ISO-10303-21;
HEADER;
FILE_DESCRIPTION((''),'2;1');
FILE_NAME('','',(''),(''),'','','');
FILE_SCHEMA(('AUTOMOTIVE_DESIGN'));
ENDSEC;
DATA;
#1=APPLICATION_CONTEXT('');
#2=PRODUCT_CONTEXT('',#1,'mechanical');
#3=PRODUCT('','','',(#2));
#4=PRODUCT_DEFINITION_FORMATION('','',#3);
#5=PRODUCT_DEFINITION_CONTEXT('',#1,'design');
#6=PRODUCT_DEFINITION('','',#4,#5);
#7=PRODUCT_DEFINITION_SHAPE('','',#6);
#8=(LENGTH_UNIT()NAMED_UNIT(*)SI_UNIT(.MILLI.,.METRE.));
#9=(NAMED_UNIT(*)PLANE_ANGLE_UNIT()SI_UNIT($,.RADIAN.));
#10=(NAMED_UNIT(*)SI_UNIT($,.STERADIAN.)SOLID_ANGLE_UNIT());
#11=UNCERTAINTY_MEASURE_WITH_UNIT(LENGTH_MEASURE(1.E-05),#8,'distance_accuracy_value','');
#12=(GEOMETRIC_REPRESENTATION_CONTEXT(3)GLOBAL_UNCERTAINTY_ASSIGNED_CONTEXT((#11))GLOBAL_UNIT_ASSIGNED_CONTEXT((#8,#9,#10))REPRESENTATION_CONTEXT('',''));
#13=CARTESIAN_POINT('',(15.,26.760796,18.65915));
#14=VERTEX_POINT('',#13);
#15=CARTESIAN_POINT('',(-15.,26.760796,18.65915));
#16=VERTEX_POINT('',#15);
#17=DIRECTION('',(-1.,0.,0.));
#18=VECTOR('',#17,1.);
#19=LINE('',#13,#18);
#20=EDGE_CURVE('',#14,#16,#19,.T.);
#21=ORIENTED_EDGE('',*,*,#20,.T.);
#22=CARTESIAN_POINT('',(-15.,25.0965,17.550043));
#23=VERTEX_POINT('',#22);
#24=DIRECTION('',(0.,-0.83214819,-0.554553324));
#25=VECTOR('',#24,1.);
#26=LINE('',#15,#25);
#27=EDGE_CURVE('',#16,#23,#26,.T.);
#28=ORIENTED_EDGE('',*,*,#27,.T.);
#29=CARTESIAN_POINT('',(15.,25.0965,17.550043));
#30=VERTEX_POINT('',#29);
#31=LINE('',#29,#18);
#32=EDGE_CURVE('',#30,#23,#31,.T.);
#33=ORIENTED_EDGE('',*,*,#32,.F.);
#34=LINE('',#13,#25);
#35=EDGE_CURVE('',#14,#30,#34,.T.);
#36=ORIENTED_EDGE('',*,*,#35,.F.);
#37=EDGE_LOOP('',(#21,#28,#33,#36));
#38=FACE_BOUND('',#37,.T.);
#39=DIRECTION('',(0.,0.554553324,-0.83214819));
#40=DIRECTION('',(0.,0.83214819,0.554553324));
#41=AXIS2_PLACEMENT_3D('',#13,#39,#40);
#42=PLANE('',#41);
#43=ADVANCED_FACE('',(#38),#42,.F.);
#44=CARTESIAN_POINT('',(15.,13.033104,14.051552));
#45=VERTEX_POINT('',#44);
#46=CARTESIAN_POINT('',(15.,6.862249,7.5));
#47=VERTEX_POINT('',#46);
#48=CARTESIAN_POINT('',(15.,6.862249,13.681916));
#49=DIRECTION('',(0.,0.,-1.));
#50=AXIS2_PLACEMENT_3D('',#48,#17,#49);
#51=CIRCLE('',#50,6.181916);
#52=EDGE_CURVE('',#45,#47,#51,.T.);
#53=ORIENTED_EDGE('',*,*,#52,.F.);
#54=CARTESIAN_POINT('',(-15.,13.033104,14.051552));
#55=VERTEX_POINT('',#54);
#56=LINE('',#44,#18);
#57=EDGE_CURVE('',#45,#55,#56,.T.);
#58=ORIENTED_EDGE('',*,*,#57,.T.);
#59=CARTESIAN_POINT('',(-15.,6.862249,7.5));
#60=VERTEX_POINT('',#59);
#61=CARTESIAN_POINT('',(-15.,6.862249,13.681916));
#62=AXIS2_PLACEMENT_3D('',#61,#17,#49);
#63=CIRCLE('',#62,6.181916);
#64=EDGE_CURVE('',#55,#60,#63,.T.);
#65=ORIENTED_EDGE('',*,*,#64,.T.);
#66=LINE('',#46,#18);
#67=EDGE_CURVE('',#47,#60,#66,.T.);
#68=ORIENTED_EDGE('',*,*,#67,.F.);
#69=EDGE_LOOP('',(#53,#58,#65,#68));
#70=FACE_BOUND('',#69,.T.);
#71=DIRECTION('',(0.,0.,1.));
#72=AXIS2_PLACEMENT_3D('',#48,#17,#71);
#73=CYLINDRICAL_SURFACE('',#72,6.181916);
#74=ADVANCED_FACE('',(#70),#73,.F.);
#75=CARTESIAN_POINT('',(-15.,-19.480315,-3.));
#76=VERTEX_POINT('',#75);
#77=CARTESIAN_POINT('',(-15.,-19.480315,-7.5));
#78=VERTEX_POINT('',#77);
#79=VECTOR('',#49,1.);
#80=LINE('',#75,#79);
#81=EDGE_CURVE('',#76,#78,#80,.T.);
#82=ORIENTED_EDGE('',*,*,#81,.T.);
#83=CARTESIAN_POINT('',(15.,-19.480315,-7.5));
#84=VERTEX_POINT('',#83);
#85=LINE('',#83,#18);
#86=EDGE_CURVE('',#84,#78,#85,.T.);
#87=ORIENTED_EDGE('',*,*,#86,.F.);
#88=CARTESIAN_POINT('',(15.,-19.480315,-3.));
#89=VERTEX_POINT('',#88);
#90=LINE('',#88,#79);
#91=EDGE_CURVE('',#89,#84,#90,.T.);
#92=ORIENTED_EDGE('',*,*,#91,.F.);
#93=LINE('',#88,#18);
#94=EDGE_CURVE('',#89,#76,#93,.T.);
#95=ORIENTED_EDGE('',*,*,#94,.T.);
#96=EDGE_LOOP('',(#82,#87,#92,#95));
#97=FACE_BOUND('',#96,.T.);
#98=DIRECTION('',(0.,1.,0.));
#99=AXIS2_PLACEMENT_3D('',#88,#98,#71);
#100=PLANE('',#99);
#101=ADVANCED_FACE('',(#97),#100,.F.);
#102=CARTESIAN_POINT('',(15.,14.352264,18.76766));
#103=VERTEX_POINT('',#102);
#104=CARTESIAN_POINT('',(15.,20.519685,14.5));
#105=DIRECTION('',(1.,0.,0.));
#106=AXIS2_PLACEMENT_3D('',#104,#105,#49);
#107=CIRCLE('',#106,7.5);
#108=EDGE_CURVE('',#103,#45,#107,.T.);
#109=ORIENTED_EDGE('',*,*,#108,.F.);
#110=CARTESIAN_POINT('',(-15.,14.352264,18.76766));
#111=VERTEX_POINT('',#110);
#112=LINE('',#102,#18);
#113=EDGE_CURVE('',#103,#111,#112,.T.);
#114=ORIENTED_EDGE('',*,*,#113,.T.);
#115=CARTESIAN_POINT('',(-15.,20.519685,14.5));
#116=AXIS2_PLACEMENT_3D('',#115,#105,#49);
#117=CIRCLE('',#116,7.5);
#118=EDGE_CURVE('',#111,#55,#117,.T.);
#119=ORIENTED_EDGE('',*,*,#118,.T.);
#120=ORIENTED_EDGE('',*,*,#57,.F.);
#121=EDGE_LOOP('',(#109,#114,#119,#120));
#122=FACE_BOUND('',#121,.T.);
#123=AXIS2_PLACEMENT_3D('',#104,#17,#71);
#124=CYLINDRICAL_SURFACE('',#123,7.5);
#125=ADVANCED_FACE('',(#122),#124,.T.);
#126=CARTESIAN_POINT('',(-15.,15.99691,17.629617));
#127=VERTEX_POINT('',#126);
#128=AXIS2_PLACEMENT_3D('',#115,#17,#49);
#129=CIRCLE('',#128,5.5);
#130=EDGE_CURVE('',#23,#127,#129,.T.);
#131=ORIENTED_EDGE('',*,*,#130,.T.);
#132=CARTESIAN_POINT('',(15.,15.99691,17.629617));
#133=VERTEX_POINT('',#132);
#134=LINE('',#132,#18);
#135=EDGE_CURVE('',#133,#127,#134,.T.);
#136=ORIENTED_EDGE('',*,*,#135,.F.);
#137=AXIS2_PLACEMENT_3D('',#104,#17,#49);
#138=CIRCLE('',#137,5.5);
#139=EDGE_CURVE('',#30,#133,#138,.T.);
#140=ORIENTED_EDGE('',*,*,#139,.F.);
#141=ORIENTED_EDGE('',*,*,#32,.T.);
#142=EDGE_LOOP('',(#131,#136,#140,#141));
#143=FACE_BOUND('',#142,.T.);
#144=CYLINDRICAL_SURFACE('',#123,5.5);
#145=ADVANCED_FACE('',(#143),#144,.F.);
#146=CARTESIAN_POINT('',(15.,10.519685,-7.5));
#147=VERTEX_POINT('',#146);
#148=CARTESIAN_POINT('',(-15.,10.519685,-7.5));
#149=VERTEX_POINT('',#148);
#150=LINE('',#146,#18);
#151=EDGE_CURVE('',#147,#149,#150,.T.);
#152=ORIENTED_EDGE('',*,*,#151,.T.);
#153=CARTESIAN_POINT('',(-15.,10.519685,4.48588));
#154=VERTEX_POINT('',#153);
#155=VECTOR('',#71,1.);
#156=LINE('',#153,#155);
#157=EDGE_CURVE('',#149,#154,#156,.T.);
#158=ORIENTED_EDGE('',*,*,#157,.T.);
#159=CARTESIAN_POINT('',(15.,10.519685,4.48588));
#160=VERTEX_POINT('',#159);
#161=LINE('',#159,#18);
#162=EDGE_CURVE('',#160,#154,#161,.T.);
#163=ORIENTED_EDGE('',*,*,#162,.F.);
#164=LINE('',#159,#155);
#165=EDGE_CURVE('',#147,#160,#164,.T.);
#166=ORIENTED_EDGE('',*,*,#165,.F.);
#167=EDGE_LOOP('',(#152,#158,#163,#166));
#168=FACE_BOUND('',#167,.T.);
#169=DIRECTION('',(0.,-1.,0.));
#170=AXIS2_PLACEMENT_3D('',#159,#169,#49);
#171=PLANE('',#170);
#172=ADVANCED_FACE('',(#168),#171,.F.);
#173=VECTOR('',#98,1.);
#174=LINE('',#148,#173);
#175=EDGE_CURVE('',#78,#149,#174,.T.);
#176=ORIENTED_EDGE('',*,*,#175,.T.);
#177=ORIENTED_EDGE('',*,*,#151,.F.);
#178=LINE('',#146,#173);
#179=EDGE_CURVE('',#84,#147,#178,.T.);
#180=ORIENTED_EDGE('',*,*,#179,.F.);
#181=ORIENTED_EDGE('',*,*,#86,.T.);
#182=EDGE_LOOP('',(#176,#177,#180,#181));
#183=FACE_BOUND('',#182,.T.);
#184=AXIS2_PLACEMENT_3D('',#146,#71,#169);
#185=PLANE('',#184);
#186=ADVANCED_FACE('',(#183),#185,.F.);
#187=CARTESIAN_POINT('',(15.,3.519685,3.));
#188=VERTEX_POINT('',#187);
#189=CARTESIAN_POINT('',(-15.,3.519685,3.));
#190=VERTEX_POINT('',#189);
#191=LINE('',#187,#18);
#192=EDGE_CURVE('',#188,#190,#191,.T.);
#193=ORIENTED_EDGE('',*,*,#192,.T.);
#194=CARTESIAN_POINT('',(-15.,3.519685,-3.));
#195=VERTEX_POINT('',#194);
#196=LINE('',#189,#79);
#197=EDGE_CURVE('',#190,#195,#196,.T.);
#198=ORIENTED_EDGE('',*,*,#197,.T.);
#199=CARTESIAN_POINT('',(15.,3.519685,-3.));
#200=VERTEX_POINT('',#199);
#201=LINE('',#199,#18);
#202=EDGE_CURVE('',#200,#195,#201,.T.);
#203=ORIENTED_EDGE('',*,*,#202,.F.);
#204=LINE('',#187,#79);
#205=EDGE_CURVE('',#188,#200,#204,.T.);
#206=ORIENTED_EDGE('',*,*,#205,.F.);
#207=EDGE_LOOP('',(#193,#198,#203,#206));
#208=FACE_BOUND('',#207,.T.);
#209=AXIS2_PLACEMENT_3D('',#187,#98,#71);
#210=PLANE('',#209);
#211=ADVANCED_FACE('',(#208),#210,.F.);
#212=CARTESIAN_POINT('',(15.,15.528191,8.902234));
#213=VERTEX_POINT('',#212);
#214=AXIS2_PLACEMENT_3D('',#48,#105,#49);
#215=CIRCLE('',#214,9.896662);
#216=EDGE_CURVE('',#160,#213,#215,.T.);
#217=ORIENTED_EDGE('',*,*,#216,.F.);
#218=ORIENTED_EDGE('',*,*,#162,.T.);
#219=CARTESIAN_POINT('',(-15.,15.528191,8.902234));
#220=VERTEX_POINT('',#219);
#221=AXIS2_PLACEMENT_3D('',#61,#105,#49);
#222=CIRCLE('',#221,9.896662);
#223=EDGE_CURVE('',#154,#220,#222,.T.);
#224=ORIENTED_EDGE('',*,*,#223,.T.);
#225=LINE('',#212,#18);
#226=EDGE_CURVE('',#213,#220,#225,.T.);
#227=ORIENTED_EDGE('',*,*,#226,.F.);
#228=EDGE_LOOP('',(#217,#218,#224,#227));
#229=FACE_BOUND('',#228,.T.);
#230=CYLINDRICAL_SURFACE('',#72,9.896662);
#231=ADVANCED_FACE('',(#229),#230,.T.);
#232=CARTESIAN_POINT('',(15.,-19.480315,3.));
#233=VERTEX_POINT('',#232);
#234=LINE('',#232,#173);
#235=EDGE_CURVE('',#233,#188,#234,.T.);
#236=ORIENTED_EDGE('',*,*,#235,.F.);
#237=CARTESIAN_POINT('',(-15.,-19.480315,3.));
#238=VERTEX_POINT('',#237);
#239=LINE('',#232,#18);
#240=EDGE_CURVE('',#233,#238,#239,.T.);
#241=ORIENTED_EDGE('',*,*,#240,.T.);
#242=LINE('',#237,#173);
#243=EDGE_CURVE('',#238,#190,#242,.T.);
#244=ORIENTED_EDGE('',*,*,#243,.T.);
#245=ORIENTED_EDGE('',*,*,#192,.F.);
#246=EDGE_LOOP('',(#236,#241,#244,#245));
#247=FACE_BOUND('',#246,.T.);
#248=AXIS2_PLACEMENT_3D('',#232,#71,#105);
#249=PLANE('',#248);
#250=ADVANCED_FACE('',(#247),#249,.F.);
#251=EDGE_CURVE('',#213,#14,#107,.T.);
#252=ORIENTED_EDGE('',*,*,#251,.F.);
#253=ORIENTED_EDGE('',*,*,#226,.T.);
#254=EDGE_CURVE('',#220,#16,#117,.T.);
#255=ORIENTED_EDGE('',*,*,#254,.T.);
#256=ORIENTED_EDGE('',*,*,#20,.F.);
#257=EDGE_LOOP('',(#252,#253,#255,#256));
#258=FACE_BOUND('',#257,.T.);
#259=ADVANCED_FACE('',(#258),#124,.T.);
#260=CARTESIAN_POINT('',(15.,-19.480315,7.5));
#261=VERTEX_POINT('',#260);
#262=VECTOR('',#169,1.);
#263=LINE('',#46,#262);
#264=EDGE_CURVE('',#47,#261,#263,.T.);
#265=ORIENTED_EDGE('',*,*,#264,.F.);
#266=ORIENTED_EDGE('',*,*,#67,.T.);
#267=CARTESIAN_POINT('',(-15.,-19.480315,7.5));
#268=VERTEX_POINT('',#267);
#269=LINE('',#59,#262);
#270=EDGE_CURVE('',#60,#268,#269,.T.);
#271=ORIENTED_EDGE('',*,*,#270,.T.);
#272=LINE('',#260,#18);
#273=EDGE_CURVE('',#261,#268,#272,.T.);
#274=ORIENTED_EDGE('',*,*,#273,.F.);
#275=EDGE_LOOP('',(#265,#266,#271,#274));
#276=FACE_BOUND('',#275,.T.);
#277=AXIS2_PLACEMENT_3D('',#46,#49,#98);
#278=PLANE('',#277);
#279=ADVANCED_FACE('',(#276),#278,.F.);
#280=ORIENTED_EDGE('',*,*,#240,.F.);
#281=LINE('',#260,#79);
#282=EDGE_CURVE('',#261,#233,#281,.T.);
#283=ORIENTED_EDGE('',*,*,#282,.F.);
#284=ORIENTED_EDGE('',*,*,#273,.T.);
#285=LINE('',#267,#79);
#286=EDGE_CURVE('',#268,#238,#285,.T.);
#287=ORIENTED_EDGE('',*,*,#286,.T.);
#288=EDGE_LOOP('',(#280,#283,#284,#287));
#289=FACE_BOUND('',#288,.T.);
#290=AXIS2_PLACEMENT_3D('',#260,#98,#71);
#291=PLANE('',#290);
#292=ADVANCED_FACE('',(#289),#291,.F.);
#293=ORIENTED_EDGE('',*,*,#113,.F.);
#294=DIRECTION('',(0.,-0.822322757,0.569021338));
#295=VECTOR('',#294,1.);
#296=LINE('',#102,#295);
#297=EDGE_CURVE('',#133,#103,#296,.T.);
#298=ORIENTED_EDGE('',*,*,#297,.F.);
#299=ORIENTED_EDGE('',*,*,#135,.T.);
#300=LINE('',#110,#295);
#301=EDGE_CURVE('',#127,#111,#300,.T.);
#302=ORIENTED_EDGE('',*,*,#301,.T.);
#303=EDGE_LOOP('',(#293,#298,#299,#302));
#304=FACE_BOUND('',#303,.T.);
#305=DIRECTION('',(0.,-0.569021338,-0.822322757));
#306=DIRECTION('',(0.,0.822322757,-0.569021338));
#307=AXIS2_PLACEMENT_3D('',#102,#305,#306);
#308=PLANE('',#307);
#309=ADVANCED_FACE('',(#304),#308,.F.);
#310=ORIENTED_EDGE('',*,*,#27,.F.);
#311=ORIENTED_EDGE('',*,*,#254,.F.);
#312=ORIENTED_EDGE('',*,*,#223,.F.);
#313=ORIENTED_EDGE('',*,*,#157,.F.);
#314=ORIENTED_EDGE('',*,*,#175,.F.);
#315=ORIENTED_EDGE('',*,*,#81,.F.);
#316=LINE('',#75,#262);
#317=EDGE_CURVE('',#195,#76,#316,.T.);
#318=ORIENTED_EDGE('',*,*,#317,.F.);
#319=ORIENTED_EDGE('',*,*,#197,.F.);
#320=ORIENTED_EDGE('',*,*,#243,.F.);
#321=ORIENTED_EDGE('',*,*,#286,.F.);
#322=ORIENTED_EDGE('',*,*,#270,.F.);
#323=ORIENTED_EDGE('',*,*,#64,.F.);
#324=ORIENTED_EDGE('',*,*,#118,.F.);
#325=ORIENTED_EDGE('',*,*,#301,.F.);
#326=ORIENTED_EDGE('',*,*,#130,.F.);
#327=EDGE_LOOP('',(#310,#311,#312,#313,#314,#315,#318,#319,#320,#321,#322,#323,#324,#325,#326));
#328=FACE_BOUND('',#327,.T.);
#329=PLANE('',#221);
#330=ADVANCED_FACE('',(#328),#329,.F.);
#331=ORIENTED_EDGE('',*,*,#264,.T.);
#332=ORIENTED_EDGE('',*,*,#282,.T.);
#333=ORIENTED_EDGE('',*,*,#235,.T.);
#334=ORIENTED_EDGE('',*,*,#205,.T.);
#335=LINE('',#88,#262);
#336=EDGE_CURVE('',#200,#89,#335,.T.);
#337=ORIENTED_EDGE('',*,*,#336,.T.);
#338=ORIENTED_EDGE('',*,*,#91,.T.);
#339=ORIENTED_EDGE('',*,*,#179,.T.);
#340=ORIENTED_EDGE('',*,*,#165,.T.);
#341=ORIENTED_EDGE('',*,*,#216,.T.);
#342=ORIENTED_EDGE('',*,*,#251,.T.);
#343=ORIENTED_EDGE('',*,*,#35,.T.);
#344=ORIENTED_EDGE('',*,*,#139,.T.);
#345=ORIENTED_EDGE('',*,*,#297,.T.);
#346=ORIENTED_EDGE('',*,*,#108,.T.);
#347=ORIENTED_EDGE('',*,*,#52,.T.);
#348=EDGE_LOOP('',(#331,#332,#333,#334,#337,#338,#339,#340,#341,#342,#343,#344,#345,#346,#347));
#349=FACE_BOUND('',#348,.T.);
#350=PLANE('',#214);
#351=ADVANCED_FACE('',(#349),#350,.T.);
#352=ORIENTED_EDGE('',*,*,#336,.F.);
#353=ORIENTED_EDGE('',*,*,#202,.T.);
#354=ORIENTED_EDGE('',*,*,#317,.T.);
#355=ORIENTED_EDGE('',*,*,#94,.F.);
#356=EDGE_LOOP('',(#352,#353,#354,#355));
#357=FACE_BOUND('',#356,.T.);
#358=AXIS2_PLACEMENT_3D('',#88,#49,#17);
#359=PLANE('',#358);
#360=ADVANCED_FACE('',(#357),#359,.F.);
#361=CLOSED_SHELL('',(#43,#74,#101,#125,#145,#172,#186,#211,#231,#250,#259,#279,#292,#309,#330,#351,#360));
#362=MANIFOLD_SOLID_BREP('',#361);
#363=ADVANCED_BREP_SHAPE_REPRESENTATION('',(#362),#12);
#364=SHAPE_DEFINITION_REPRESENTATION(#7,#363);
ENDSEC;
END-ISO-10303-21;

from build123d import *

# Parameters (mm, degrees)
SALIENTE_EXTRUIR1_DEPTH = 15


with BuildPart() as part:
    # Croquis1 → Saliente-Extruir1 (new body, symmetric)
    with BuildSketch(Plane(origin=(0, 0, 0), x_dir=(0, 0, -1), z_dir=(1, 0, 0))):
        with BuildLine():
            Line((-4.485879944, 10.519685039), (7.5, 10.519685039))
            Line((7.5, 10.519685039), (7.5, -19.480314961))
            Line((7.5, -19.480314961), (3, -19.480314961))
            Line((3, -19.480314961), (3, 3.519685039))
            Line((3, 3.519685039), (-3, 3.519685039))
            Line((-3, 3.519685039), (-3, -19.480314961))
            Line((-3, -19.480314961), (-7.5, -19.480314961))
            Line((-7.5, -19.480314961), (-7.5, 6.862248573))
            ThreePointArc((-7.5, 6.862248573), (-9.443341526, 11.362312215), (-14.051551981, 13.033104086))
            ThreePointArc((-14.051551981, 13.033104086), (-16.52030717, 13.29691833), (-18.767660033, 14.35226436))
            Line((-18.767660033, 14.35226436), (-17.629617358, 15.996909874))
            ThreePointArc((-17.629617358, 15.996909874), (-9.000210285, 20.471590491), (-17.550043283, 25.096500086))
            Line((-17.550043283, 25.096500086), (-18.659149931, 26.760796467))
            ThreePointArc((-18.659149931, 26.760796467), (-8.837821951, 25.437991632), (-8.902233659, 15.528191075))
            ThreePointArc((-8.902233659, 15.528191075), (-6.25888029, 13.407663941), (-4.485879944, 10.519685039))
        make_face()
    extrude(amount=SALIENTE_EXTRUIR1_DEPTH, both=True)


solid = part.part
